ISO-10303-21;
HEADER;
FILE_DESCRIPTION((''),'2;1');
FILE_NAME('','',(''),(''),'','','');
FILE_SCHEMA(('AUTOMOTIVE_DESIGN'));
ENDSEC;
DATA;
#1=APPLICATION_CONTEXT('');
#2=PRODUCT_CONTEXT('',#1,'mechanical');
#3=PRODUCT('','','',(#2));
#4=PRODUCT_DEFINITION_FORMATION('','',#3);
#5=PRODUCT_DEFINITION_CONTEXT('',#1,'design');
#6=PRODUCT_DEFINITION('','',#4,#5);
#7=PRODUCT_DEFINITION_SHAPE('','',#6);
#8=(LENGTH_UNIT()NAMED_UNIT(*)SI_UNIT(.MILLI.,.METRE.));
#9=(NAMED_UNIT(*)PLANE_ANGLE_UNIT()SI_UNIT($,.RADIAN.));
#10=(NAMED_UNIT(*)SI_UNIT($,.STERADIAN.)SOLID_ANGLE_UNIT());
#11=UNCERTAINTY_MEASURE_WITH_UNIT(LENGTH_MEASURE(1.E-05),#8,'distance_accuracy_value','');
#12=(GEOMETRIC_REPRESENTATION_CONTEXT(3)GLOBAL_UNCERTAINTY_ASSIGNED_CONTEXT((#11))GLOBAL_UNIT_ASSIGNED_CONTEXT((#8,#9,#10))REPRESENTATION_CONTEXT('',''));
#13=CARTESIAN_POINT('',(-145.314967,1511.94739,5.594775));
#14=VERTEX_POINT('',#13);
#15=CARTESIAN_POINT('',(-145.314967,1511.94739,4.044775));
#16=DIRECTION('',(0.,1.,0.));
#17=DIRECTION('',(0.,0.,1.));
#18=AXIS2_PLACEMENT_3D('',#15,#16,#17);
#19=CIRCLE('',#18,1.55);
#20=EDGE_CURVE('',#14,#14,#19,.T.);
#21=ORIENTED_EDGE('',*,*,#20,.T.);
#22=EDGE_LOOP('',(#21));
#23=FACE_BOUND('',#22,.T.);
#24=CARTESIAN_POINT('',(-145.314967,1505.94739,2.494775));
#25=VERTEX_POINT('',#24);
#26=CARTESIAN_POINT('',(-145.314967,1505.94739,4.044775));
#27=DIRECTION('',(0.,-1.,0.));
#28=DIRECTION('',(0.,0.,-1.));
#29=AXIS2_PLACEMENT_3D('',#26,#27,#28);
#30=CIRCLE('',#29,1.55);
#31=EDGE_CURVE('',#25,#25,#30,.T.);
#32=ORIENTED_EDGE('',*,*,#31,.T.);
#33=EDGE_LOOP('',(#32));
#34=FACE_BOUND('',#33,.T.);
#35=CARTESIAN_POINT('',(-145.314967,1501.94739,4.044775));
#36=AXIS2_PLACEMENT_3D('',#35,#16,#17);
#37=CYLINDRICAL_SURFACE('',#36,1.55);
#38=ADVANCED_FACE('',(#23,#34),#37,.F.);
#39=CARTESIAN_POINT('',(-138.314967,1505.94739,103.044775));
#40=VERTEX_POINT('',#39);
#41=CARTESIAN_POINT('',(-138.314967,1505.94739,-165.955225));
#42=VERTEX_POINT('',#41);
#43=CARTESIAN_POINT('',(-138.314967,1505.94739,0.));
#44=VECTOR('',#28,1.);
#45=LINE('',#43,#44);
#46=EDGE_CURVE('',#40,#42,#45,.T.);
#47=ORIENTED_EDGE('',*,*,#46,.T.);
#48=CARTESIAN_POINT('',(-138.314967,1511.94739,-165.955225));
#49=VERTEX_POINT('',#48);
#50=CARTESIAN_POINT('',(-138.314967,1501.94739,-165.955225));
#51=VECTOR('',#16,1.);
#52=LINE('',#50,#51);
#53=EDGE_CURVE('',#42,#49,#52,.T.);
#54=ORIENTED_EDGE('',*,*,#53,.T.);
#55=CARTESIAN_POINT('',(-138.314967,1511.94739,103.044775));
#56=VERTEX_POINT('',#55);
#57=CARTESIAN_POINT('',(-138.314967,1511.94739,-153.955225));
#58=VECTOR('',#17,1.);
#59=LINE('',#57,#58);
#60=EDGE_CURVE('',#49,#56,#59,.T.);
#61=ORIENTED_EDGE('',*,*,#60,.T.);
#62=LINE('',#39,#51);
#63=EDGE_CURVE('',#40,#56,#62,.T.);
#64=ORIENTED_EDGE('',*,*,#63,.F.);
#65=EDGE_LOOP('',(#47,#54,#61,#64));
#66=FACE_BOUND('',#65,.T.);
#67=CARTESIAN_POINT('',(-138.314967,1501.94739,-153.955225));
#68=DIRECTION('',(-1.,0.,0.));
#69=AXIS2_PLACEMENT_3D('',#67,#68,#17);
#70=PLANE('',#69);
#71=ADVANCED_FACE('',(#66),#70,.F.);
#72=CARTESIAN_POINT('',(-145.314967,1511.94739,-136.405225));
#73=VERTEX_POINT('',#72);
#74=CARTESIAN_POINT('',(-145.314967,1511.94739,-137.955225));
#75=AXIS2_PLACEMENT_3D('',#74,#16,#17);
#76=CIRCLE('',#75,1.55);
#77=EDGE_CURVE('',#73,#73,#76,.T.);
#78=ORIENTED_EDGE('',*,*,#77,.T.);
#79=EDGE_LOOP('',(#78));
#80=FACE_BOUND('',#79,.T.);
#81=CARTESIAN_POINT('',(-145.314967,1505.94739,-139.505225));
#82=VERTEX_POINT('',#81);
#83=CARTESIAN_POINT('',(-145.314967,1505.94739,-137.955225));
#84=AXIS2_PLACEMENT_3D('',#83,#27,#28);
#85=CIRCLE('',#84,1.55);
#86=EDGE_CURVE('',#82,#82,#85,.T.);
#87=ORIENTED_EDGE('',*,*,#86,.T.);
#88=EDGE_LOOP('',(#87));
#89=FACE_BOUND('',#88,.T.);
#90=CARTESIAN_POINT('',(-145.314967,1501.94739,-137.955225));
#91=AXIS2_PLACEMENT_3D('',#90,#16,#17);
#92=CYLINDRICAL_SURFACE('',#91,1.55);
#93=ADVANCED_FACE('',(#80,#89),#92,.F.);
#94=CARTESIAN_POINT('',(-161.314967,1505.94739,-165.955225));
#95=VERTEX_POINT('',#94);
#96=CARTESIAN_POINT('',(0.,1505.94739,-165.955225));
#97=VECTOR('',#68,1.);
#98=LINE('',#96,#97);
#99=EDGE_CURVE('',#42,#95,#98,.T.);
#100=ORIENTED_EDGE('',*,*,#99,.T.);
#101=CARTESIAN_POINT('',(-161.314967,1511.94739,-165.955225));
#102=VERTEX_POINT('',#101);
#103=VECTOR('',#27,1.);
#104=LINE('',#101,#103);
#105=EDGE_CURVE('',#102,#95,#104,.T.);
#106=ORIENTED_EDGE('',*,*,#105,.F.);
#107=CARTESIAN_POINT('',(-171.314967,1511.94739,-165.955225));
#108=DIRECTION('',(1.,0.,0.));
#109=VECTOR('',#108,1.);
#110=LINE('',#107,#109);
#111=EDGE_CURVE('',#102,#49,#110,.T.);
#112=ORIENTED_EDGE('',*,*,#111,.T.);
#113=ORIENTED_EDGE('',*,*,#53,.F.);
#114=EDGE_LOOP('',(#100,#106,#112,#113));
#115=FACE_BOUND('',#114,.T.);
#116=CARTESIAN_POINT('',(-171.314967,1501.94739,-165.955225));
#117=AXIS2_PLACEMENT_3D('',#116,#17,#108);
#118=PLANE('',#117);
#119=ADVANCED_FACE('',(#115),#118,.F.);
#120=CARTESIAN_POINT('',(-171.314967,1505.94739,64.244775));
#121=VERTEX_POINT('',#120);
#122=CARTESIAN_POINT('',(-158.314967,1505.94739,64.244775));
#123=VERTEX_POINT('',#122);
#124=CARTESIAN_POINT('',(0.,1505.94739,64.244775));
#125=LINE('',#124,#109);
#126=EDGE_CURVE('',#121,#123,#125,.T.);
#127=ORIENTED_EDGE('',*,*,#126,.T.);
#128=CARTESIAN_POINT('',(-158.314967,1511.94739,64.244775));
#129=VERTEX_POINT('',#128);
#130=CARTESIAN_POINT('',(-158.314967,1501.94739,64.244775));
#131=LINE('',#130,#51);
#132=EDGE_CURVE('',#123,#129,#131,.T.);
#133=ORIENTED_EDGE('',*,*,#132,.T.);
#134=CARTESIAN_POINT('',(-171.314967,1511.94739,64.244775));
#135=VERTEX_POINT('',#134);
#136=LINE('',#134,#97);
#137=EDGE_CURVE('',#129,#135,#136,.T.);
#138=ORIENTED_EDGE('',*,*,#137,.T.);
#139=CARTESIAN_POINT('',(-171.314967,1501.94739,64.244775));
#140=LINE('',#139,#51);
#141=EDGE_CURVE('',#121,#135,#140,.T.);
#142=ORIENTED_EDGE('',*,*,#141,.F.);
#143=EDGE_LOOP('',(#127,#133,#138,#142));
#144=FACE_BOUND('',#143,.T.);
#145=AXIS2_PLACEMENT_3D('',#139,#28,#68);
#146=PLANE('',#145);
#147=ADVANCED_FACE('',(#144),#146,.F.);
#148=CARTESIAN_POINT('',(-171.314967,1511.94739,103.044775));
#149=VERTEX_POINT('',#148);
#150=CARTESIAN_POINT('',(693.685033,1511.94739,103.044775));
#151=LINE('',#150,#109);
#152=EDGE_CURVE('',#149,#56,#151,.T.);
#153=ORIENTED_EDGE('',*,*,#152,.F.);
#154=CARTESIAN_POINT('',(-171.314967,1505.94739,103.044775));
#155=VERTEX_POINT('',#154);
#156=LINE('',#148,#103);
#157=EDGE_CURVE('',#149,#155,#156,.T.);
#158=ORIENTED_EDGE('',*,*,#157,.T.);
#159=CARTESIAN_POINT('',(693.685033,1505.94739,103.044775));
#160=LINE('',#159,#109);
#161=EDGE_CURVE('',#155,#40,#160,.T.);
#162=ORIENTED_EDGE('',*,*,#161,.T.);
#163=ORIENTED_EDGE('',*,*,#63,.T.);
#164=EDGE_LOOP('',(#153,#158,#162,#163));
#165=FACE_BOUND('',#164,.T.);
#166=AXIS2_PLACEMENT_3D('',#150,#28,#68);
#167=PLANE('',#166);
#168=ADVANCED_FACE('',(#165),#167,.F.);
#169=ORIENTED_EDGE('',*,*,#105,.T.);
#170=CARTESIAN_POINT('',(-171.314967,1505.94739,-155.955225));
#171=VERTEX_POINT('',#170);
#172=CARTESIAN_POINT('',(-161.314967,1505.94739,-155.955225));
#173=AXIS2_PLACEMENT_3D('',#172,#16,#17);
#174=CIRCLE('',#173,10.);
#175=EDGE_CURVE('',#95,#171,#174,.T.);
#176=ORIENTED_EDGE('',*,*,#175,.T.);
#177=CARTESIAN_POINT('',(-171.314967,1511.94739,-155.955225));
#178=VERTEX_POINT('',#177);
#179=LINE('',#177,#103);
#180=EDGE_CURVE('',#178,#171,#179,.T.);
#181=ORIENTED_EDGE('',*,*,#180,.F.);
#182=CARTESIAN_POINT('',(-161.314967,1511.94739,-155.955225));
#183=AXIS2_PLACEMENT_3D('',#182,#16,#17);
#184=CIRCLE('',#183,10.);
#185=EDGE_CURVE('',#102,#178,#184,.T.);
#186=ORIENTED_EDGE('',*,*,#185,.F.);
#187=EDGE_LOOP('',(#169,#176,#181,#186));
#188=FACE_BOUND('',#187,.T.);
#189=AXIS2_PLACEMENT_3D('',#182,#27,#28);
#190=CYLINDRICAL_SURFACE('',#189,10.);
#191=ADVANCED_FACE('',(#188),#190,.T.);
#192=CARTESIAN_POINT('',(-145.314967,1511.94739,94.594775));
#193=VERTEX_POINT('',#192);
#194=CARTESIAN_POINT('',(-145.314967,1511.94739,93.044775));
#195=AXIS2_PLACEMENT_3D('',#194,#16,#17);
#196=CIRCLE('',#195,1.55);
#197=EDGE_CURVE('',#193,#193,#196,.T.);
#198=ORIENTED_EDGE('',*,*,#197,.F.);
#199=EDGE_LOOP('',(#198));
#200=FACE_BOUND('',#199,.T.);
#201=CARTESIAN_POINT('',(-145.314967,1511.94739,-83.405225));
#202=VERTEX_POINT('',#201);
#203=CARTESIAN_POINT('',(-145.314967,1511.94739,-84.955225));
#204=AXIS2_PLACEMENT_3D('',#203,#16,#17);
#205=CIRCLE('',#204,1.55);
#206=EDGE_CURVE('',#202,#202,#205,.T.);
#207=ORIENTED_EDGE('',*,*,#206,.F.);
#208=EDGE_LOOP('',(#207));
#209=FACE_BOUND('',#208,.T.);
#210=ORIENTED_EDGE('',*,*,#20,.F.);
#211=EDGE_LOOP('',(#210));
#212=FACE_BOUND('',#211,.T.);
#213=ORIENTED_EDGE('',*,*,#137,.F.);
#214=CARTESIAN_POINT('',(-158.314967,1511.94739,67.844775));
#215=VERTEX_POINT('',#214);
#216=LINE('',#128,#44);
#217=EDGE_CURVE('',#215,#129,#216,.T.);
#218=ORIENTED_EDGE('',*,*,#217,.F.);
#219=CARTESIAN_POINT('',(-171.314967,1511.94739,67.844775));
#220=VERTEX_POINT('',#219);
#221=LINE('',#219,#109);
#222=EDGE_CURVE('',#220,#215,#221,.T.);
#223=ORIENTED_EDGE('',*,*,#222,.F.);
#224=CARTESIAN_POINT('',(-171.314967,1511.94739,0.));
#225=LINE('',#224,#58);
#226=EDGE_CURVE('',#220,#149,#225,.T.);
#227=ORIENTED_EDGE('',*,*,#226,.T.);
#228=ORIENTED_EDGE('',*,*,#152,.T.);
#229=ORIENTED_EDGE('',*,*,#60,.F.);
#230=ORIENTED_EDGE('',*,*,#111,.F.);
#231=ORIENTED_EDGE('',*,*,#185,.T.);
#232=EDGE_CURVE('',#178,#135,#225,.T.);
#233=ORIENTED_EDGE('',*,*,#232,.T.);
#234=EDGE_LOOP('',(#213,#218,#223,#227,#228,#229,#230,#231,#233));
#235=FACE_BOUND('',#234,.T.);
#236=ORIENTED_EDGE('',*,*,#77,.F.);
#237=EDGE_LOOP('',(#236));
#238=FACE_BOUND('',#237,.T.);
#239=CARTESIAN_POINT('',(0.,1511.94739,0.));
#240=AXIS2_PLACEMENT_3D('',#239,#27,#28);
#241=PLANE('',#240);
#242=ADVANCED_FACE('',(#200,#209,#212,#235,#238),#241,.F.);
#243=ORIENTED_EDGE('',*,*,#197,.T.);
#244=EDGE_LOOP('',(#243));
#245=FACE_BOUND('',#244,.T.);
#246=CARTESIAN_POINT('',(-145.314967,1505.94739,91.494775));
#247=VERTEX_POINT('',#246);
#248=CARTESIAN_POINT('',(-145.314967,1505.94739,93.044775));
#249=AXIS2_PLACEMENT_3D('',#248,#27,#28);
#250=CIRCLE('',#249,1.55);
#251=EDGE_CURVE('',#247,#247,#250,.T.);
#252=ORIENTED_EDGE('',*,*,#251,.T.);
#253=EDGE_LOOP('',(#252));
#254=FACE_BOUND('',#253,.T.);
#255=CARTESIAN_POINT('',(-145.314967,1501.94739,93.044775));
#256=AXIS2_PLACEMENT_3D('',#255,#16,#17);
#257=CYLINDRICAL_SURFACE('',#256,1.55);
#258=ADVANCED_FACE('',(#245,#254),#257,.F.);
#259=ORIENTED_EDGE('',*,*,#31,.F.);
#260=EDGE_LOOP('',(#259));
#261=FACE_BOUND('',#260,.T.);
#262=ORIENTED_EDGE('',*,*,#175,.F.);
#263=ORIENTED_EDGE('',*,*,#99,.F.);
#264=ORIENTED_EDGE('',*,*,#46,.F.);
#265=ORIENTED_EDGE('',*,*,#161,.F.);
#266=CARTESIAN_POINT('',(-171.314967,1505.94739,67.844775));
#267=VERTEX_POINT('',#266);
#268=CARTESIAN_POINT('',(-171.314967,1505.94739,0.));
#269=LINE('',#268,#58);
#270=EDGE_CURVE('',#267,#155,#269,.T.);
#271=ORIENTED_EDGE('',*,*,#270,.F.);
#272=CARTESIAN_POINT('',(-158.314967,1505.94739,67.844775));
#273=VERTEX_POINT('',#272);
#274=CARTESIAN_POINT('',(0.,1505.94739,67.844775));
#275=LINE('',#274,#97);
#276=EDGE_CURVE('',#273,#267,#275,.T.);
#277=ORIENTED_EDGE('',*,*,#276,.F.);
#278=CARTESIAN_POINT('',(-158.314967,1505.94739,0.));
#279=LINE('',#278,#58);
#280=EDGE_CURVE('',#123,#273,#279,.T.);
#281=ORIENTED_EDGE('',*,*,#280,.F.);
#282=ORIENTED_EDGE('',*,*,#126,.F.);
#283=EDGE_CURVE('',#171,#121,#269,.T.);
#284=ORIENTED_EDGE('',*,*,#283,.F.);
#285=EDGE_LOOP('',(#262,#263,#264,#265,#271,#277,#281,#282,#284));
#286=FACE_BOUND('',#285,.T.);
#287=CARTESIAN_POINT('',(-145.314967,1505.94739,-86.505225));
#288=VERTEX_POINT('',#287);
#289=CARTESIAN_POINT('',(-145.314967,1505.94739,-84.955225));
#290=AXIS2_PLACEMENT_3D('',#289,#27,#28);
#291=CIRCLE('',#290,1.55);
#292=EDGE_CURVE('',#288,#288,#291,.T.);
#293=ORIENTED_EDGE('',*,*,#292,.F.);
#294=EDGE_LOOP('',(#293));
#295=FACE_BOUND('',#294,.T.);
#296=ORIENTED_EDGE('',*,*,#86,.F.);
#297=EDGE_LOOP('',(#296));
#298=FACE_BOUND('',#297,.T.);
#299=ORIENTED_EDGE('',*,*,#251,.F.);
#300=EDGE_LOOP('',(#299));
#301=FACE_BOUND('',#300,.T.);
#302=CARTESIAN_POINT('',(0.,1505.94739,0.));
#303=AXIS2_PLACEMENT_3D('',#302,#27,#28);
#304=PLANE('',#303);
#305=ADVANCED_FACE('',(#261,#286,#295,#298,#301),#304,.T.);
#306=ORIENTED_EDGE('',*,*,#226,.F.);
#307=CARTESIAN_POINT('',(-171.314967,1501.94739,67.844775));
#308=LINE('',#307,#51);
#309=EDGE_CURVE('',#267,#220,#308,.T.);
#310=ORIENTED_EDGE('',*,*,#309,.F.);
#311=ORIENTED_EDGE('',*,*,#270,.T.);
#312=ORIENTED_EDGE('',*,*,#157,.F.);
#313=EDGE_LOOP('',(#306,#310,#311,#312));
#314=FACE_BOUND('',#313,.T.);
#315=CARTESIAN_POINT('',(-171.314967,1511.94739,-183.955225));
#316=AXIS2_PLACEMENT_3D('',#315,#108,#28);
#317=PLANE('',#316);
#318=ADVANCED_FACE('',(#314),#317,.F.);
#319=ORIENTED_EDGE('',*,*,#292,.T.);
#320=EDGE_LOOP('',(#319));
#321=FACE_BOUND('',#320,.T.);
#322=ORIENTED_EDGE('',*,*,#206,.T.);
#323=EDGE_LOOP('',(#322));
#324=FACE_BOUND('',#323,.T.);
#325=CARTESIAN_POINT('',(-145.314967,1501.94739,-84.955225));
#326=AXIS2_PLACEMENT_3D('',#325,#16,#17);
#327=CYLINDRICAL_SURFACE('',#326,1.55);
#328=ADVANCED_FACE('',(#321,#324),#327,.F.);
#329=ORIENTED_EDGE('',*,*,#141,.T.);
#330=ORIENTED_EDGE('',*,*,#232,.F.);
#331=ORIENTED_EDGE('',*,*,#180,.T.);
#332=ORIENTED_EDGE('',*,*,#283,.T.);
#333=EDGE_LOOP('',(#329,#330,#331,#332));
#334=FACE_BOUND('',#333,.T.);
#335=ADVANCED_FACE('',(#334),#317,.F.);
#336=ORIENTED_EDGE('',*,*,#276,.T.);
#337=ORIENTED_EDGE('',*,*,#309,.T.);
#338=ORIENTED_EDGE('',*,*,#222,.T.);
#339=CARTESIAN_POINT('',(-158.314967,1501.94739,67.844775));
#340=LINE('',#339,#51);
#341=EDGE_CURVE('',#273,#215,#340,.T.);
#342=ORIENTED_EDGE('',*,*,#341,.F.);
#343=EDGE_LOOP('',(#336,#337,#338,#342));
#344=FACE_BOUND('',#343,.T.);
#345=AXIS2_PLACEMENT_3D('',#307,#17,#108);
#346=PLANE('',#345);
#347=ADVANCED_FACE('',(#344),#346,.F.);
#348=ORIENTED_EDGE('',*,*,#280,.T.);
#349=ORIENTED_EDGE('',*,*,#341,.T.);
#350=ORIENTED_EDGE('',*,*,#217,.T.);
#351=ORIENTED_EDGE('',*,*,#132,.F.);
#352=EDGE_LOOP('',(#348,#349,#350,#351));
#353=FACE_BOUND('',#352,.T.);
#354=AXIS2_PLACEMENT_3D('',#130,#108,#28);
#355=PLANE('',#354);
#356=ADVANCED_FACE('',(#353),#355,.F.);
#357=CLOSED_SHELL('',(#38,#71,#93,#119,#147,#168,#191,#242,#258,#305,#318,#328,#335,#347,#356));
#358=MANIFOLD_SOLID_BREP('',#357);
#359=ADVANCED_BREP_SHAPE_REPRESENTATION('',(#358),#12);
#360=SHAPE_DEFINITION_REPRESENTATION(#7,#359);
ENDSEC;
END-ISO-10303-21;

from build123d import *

# Parameters (mm, degrees)
SZKIC2_W                    = 287
SZKIC2_H                    = 852
DODANIE_WYCI_GNI_CIE1_DEPTH = 6
WYTNIJ_WYCI_GNI_CIE1_DEPTH  = 10
SZKIC5_OUTSIDE_W            = 1033.812
SZKIC5_OUTSIDE_H            = 468.812
SZKIC5_OUTSIDE_W_2          = 20
SZKIC5_OUTSIDE_H_2          = 287
WYTNIJ_WYCI_GNI_CIE3_DEPTH  = 718.686874591
PRZENIE_CIAN_1_BY           = 13
SZKIC6_W                    = 33
SZKIC6_H                    = 18
WYTNIJ_WYCI_GNI_CIE4_DEPTH  = 10
WYTNIJ_WYCI_GNI_CIE6_DEPTH  = 239.591606015
SZKIC9_R                    = 1.55
WYTNIJ_WYCI_GNI_CIE7_DEPTH  = 10
SZKIC11_W                   = 13
SZKIC11_H                   = 3.6
WYTNIJ_WYCI_GNI_CIE8_DEPTH  = 10


with BuildPart() as part:
    # Szkic2 → Dodanie-wyciągnięcie1 (new body)
    with BuildSketch(Plane.ZX.offset(1505.947389818)):
        with Locations((-40.455224703, 267.685033185)):
            Rectangle(SZKIC2_W, SZKIC2_H)
    extrude(amount=DODANIE_WYCI_GNI_CIE1_DEPTH)

    # Szkic3 → Wytnij-wyciągnięcie1 (cut)
    with BuildSketch(Plane(origin=(0, 1511.947389818, 0), x_dir=(1, 0, 0), z_dir=(0, 1, 0))):
        with BuildLine():
            Line((673.685033185, -73.044775297), (673.685033185, 153.955224703))
            ThreePointArc((673.685033185, 153.955224703), (670.756100997, 161.026292515), (663.685033185, 163.955224703))
            Line((663.685033185, 163.955224703), (-128.314966815, 163.955224703))
            ThreePointArc((-128.314966815, 163.955224703), (-135.386034627, 161.026292515), (-138.314966815, 153.955224703))
            Line((-138.314966815, 153.955224703), (-138.314966815, -73.044775297))
            ThreePointArc((-138.314966815, -73.044775297), (-135.386034627, -80.115843109), (-128.314966815, -83.044775297))
            Line((-128.314966815, -83.044775297), (663.685033185, -83.044775297))
            ThreePointArc((663.685033185, -83.044775297), (670.756100997, -80.115843109), (673.685033185, -73.044775297))
        make_face()
    extrude(amount=-WYTNIJ_WYCI_GNI_CIE1_DEPTH, mode=Mode.SUBTRACT)

    # Szkic5 outside → Wytnij-wyciągnięcie3 (cut, through all)
    with BuildSketch(Plane(origin=(0, 1511.947389818, 0), x_dir=(1, 0, 0), z_dir=(0, 1, 0))):
        with Locations((267.685, 40.455)):
            Rectangle(SZKIC5_OUTSIDE_W, SZKIC5_OUTSIDE_H)
        with Locations((-148.314966815, 40.455224703)):
            Rectangle(SZKIC5_OUTSIDE_W_2, SZKIC5_OUTSIDE_H_2, mode=Mode.SUBTRACT)
    extrude(amount=-WYTNIJ_WYCI_GNI_CIE3_DEPTH, mode=Mode.SUBTRACT)

    # Przenieś ścianę1: a face moved outward by 13.0
    extrude(part.faces().sort_by_distance((-158.314966815, 1508.947389818, -40.455224703))[0], amount=PRZENIE_CIAN_1_BY, dir=(-1, 0, 0))

    # Szkic6 → Wytnij-wyciągnięcie4 (cut)
    with BuildSketch(Plane(origin=(0, 1511.947389818, 0), x_dir=(1, 0, 0), z_dir=(0, 1, 0))):
        with Locations((-154.814966815, 174.955224703)):
            Rectangle(SZKIC6_W, SZKIC6_H)
    extrude(amount=-WYTNIJ_WYCI_GNI_CIE4_DEPTH, mode=Mode.SUBTRACT)

    # Szkic8 → Wytnij-wyciągnięcie6 (cut, through all)
    with BuildSketch(Plane.XZ.offset(-1505.947389818)):
        with BuildLine():
            Line((-161.314966815, -165.955224703), (-171.314966815, -165.955224703))
            Line((-171.314966815, -165.955224703), (-171.314966815, -155.955224703))
            ThreePointArc((-171.314966815, -155.955224703), (-168.386034627, -163.026292515), (-161.314966815, -165.955224703))
        make_face()
    extrude(amount=-WYTNIJ_WYCI_GNI_CIE6_DEPTH, mode=Mode.SUBTRACT)

    # Szkic9 → Wytnij-wyciągnięcie7 (cut)
    with BuildSketch(Plane(origin=(0, 1511.947389818, 0), x_dir=(1, 0, 0), z_dir=(0, 1, 0))):
        with Locations(Location((-145.314966815, -93.044775297, 0), (0, 0, 270))):
            Circle(SZKIC9_R)
        with Locations(Location((-145.314966815, -4.044775297, 0), (0, 0, 270))):
            Circle(SZKIC9_R)
        with Locations(Location((-145.314966815, 84.955224703, 0), (0, 0, 270))):
            Circle(SZKIC9_R)
        with Locations(Location((-145.314966815, 137.955224703, 0), (0, 0, 270))):
            Circle(SZKIC9_R)
        with Locations((-145.314966815, 173.955224703)):
            Circle(SZKIC9_R)
    extrude(amount=-WYTNIJ_WYCI_GNI_CIE7_DEPTH, mode=Mode.SUBTRACT)

    # Szkic11 → Wytnij-wyciągnięcie8 (cut)
    with BuildSketch(Plane(origin=(0, 1511.947389818, 0), x_dir=(1, 0, 0), z_dir=(0, 1, 0))):
        with Locations((-164.814966815, -66.044775297)):
            Rectangle(SZKIC11_W, SZKIC11_H)
    extrude(amount=-WYTNIJ_WYCI_GNI_CIE8_DEPTH, mode=Mode.SUBTRACT)


solid = part.part
